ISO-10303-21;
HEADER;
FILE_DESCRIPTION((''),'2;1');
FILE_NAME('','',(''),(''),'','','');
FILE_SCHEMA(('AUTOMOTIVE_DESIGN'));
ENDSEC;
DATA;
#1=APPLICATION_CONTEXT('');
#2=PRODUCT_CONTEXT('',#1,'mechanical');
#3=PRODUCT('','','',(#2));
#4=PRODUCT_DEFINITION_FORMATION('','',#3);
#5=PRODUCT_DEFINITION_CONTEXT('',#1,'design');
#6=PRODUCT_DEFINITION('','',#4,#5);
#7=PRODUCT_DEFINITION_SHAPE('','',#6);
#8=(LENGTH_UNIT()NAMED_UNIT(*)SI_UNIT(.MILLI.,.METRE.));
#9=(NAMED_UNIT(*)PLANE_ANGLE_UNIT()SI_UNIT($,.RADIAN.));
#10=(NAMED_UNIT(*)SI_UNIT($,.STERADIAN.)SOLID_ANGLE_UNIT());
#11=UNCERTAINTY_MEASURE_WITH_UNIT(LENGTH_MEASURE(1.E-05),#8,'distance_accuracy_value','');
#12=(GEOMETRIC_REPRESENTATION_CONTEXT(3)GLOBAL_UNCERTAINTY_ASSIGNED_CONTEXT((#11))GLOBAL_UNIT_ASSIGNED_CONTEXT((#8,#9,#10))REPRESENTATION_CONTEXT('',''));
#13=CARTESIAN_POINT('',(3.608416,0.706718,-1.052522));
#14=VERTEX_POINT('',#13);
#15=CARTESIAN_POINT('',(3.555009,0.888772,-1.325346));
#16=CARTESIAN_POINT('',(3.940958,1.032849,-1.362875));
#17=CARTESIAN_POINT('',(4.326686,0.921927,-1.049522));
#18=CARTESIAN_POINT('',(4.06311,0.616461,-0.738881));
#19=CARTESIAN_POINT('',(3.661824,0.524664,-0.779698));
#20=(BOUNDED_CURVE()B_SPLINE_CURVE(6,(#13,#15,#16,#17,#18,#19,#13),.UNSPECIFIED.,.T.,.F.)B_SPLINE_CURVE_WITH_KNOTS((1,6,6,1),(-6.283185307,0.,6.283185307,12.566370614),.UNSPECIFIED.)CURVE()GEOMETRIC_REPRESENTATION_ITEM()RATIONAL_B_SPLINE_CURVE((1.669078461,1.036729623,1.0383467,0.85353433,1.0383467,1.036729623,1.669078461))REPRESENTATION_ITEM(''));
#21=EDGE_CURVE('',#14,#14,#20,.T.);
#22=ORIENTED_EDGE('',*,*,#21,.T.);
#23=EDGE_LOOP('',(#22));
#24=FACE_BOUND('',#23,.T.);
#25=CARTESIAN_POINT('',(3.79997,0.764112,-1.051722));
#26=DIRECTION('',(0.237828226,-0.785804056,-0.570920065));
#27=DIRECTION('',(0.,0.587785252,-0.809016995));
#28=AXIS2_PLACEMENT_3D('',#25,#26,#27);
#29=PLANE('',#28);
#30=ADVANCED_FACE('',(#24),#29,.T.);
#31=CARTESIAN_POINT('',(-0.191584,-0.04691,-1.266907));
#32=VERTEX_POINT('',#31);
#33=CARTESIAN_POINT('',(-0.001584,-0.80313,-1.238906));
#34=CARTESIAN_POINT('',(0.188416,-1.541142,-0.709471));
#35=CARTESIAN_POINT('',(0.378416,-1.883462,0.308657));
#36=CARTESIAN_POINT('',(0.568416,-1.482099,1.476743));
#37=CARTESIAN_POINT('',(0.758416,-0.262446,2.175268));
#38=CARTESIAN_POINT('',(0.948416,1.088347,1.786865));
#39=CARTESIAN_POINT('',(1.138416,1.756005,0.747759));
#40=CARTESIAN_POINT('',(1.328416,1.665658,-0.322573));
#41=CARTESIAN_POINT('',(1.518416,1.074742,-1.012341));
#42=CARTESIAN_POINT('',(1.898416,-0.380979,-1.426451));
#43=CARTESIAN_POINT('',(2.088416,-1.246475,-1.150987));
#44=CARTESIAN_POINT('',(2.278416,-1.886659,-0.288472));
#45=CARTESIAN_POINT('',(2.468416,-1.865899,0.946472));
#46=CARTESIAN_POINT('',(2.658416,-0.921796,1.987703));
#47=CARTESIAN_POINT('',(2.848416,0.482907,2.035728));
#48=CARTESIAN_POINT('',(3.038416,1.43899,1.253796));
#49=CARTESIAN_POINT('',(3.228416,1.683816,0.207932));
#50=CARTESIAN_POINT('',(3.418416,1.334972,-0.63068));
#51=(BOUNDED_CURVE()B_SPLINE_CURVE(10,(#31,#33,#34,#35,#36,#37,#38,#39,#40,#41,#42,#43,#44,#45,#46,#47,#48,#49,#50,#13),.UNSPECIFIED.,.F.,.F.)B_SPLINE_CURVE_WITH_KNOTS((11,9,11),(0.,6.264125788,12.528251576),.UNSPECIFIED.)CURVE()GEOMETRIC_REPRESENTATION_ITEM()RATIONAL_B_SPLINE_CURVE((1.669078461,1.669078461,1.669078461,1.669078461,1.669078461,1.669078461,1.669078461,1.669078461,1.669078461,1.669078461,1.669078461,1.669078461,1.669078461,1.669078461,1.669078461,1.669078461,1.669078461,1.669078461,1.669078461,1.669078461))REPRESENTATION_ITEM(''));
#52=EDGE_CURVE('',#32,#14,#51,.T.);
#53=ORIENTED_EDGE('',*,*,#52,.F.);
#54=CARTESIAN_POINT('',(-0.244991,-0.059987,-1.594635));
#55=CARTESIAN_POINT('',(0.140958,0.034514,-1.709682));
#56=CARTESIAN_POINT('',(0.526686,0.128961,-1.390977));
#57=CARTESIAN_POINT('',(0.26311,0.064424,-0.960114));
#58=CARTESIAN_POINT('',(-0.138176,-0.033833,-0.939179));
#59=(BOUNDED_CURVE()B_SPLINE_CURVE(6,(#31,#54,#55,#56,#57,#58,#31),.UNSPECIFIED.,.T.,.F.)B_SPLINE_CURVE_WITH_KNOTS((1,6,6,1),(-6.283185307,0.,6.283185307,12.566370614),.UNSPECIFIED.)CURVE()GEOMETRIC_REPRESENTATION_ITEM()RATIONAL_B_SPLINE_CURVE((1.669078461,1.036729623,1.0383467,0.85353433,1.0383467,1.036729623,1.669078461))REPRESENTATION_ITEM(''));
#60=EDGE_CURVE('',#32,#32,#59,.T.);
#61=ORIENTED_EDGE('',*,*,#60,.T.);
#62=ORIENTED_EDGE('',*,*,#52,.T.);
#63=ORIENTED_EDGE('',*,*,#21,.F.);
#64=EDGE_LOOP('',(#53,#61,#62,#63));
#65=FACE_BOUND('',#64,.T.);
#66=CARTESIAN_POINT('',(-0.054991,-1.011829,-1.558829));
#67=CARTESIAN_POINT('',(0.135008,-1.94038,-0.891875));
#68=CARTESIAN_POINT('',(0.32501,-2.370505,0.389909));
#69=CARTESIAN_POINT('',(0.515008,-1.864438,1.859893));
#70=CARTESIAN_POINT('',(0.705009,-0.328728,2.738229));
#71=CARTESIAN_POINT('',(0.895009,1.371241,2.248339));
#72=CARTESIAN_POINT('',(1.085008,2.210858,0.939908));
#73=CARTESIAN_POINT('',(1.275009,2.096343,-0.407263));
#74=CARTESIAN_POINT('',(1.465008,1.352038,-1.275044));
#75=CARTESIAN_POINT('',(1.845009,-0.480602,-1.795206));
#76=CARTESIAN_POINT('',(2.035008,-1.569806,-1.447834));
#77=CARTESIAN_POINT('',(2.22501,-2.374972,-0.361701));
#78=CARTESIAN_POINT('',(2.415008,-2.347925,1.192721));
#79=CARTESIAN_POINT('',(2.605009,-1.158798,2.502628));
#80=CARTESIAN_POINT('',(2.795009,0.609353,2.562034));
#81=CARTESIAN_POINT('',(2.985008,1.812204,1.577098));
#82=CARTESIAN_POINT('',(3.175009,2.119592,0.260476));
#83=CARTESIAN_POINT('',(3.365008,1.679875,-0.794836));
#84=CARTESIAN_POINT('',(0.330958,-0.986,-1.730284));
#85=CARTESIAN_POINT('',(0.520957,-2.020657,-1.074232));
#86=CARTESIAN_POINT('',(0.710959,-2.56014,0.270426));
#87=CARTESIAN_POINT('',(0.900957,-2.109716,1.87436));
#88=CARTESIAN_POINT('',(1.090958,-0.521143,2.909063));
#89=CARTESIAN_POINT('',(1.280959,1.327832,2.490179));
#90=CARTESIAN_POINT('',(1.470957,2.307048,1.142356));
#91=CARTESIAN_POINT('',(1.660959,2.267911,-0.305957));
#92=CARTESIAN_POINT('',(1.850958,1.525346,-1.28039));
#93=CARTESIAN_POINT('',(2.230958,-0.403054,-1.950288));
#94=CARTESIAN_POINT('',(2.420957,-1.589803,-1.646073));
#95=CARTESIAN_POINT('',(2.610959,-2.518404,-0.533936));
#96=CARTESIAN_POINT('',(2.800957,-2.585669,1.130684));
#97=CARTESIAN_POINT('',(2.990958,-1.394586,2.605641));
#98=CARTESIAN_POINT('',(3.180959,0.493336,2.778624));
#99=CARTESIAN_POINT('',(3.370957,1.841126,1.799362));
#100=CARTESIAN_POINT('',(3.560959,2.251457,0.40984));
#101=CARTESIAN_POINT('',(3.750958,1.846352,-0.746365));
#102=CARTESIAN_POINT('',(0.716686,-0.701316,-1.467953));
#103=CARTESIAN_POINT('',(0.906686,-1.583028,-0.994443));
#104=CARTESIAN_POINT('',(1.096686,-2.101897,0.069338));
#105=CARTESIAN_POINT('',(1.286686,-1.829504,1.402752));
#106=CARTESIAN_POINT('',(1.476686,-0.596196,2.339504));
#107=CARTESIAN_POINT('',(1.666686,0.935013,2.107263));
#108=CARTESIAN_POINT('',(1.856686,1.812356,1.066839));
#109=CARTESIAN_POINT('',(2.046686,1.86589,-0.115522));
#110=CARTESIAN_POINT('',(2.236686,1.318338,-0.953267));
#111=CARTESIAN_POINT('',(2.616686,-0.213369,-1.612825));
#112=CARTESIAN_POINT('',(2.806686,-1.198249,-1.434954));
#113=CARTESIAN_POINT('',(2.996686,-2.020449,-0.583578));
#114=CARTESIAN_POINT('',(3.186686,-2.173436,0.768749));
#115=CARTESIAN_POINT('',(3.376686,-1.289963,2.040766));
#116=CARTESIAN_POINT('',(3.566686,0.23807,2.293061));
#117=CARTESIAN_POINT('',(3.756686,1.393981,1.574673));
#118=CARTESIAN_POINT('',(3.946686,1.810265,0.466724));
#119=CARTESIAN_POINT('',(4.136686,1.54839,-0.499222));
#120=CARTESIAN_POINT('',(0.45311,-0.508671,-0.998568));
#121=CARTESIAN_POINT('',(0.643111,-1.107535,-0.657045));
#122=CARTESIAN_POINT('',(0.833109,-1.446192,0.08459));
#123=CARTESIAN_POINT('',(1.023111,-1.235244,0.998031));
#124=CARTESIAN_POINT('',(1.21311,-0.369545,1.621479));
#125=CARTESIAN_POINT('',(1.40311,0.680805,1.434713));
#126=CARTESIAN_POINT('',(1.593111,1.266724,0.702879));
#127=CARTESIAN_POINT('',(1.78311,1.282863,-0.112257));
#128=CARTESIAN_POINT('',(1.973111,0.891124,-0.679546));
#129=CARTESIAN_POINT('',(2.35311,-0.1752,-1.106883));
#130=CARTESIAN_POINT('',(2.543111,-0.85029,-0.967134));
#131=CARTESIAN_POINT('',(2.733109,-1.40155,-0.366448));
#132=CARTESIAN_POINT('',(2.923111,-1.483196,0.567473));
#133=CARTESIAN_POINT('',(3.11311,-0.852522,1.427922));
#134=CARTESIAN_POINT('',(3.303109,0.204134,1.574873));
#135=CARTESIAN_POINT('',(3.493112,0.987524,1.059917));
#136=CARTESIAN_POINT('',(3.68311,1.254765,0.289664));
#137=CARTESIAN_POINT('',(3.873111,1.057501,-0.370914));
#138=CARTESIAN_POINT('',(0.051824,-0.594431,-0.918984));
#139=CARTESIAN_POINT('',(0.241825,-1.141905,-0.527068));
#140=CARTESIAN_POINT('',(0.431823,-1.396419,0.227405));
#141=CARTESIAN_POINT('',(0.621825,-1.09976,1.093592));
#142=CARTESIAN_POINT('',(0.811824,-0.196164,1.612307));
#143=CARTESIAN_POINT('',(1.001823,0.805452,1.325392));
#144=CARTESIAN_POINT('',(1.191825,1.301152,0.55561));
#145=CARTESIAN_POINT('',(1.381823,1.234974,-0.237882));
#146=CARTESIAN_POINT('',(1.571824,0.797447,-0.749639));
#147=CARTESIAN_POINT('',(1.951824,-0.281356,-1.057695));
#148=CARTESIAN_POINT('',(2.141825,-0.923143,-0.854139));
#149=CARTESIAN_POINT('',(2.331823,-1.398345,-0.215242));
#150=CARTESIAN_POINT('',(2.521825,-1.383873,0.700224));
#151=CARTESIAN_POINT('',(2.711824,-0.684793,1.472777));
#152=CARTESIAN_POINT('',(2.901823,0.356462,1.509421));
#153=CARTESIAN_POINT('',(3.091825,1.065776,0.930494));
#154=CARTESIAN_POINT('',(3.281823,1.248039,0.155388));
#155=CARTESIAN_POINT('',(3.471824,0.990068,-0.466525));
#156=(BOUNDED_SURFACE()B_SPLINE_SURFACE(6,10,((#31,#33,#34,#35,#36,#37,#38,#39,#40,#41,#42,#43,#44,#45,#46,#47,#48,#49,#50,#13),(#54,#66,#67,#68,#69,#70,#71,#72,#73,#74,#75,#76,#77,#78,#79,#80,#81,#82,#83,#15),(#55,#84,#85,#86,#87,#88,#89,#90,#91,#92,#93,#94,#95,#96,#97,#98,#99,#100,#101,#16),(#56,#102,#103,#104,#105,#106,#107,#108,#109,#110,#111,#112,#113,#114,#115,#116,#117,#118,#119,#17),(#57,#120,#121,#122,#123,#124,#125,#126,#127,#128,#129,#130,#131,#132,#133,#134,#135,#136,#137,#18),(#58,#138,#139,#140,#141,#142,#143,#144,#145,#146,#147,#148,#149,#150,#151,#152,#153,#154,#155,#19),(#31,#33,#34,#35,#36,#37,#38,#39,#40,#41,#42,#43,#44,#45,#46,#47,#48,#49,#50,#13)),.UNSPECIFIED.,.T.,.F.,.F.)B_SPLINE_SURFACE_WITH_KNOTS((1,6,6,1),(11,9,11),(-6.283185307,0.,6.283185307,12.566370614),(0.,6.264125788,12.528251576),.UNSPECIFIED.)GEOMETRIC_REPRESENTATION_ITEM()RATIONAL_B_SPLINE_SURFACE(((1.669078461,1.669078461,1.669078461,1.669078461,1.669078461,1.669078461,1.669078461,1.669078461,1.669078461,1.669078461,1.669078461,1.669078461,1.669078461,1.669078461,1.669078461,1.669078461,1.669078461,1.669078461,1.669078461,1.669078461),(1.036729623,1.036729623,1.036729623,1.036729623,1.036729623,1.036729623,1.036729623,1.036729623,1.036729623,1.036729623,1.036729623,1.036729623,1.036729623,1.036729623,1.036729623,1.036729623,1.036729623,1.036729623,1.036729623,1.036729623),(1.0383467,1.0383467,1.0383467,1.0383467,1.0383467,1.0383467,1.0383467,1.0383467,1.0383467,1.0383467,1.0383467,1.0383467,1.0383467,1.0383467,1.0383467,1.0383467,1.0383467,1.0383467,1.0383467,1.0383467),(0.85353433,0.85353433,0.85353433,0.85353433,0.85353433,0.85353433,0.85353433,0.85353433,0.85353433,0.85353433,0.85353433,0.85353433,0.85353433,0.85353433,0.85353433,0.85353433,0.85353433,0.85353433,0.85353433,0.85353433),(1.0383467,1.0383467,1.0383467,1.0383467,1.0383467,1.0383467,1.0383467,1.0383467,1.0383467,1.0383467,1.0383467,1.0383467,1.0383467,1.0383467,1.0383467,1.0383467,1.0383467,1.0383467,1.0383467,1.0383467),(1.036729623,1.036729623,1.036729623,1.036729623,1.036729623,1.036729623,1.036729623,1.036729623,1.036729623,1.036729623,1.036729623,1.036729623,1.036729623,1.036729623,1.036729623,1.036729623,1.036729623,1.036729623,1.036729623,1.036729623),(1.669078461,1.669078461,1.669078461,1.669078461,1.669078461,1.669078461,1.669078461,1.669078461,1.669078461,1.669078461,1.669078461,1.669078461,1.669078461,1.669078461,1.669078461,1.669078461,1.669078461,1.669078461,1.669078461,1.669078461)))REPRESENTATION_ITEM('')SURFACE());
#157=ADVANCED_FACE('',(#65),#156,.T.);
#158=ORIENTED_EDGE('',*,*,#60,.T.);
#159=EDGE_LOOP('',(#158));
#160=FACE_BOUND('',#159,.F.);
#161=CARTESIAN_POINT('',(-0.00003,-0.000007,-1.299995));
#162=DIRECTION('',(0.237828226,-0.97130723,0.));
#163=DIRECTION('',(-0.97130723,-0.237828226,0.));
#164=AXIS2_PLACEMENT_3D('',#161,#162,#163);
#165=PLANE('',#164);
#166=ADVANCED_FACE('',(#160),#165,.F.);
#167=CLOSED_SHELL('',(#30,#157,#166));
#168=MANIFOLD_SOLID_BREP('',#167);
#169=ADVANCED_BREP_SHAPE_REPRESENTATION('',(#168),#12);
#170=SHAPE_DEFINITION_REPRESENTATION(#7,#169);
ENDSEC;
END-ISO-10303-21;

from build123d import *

# Parameters (mm, degrees)
SWEEP1_PITCH       = 2
SWEEP1_HEIGHT      = 3.8
SWEEP1_RADIUS      = 1.3
SWEEP1_START_ANGLE = 180
SKETCH2_R          = 0.2


with BuildPart() as part:
    # Sweep1: sweep along a helix
    with BuildLine() as sweep1_path:
        add(Helix(SWEEP1_PITCH, SWEEP1_HEIGHT, SWEEP1_RADIUS, center=(0, 0, 0), direction=(1, 0, 0), lefthand=True, mode=Mode.PRIVATE).rotate(Axis((0, 0, 0), (1, 0, 0)), SWEEP1_START_ANGLE))
    # Sketch2 → Sweep1 (sweep)
    with BuildSketch(Plane(origin=(3.8, 0.764120828, -1.051722093), x_dir=(-0.957918413, -0.287012728, -0.004001034), z_dir=(0.237828226, -0.785804056, -0.570920065))):
        Circle(SKETCH2_R)
    sweep(path=sweep1_path.line, is_frenet=True)


solid = part.part
